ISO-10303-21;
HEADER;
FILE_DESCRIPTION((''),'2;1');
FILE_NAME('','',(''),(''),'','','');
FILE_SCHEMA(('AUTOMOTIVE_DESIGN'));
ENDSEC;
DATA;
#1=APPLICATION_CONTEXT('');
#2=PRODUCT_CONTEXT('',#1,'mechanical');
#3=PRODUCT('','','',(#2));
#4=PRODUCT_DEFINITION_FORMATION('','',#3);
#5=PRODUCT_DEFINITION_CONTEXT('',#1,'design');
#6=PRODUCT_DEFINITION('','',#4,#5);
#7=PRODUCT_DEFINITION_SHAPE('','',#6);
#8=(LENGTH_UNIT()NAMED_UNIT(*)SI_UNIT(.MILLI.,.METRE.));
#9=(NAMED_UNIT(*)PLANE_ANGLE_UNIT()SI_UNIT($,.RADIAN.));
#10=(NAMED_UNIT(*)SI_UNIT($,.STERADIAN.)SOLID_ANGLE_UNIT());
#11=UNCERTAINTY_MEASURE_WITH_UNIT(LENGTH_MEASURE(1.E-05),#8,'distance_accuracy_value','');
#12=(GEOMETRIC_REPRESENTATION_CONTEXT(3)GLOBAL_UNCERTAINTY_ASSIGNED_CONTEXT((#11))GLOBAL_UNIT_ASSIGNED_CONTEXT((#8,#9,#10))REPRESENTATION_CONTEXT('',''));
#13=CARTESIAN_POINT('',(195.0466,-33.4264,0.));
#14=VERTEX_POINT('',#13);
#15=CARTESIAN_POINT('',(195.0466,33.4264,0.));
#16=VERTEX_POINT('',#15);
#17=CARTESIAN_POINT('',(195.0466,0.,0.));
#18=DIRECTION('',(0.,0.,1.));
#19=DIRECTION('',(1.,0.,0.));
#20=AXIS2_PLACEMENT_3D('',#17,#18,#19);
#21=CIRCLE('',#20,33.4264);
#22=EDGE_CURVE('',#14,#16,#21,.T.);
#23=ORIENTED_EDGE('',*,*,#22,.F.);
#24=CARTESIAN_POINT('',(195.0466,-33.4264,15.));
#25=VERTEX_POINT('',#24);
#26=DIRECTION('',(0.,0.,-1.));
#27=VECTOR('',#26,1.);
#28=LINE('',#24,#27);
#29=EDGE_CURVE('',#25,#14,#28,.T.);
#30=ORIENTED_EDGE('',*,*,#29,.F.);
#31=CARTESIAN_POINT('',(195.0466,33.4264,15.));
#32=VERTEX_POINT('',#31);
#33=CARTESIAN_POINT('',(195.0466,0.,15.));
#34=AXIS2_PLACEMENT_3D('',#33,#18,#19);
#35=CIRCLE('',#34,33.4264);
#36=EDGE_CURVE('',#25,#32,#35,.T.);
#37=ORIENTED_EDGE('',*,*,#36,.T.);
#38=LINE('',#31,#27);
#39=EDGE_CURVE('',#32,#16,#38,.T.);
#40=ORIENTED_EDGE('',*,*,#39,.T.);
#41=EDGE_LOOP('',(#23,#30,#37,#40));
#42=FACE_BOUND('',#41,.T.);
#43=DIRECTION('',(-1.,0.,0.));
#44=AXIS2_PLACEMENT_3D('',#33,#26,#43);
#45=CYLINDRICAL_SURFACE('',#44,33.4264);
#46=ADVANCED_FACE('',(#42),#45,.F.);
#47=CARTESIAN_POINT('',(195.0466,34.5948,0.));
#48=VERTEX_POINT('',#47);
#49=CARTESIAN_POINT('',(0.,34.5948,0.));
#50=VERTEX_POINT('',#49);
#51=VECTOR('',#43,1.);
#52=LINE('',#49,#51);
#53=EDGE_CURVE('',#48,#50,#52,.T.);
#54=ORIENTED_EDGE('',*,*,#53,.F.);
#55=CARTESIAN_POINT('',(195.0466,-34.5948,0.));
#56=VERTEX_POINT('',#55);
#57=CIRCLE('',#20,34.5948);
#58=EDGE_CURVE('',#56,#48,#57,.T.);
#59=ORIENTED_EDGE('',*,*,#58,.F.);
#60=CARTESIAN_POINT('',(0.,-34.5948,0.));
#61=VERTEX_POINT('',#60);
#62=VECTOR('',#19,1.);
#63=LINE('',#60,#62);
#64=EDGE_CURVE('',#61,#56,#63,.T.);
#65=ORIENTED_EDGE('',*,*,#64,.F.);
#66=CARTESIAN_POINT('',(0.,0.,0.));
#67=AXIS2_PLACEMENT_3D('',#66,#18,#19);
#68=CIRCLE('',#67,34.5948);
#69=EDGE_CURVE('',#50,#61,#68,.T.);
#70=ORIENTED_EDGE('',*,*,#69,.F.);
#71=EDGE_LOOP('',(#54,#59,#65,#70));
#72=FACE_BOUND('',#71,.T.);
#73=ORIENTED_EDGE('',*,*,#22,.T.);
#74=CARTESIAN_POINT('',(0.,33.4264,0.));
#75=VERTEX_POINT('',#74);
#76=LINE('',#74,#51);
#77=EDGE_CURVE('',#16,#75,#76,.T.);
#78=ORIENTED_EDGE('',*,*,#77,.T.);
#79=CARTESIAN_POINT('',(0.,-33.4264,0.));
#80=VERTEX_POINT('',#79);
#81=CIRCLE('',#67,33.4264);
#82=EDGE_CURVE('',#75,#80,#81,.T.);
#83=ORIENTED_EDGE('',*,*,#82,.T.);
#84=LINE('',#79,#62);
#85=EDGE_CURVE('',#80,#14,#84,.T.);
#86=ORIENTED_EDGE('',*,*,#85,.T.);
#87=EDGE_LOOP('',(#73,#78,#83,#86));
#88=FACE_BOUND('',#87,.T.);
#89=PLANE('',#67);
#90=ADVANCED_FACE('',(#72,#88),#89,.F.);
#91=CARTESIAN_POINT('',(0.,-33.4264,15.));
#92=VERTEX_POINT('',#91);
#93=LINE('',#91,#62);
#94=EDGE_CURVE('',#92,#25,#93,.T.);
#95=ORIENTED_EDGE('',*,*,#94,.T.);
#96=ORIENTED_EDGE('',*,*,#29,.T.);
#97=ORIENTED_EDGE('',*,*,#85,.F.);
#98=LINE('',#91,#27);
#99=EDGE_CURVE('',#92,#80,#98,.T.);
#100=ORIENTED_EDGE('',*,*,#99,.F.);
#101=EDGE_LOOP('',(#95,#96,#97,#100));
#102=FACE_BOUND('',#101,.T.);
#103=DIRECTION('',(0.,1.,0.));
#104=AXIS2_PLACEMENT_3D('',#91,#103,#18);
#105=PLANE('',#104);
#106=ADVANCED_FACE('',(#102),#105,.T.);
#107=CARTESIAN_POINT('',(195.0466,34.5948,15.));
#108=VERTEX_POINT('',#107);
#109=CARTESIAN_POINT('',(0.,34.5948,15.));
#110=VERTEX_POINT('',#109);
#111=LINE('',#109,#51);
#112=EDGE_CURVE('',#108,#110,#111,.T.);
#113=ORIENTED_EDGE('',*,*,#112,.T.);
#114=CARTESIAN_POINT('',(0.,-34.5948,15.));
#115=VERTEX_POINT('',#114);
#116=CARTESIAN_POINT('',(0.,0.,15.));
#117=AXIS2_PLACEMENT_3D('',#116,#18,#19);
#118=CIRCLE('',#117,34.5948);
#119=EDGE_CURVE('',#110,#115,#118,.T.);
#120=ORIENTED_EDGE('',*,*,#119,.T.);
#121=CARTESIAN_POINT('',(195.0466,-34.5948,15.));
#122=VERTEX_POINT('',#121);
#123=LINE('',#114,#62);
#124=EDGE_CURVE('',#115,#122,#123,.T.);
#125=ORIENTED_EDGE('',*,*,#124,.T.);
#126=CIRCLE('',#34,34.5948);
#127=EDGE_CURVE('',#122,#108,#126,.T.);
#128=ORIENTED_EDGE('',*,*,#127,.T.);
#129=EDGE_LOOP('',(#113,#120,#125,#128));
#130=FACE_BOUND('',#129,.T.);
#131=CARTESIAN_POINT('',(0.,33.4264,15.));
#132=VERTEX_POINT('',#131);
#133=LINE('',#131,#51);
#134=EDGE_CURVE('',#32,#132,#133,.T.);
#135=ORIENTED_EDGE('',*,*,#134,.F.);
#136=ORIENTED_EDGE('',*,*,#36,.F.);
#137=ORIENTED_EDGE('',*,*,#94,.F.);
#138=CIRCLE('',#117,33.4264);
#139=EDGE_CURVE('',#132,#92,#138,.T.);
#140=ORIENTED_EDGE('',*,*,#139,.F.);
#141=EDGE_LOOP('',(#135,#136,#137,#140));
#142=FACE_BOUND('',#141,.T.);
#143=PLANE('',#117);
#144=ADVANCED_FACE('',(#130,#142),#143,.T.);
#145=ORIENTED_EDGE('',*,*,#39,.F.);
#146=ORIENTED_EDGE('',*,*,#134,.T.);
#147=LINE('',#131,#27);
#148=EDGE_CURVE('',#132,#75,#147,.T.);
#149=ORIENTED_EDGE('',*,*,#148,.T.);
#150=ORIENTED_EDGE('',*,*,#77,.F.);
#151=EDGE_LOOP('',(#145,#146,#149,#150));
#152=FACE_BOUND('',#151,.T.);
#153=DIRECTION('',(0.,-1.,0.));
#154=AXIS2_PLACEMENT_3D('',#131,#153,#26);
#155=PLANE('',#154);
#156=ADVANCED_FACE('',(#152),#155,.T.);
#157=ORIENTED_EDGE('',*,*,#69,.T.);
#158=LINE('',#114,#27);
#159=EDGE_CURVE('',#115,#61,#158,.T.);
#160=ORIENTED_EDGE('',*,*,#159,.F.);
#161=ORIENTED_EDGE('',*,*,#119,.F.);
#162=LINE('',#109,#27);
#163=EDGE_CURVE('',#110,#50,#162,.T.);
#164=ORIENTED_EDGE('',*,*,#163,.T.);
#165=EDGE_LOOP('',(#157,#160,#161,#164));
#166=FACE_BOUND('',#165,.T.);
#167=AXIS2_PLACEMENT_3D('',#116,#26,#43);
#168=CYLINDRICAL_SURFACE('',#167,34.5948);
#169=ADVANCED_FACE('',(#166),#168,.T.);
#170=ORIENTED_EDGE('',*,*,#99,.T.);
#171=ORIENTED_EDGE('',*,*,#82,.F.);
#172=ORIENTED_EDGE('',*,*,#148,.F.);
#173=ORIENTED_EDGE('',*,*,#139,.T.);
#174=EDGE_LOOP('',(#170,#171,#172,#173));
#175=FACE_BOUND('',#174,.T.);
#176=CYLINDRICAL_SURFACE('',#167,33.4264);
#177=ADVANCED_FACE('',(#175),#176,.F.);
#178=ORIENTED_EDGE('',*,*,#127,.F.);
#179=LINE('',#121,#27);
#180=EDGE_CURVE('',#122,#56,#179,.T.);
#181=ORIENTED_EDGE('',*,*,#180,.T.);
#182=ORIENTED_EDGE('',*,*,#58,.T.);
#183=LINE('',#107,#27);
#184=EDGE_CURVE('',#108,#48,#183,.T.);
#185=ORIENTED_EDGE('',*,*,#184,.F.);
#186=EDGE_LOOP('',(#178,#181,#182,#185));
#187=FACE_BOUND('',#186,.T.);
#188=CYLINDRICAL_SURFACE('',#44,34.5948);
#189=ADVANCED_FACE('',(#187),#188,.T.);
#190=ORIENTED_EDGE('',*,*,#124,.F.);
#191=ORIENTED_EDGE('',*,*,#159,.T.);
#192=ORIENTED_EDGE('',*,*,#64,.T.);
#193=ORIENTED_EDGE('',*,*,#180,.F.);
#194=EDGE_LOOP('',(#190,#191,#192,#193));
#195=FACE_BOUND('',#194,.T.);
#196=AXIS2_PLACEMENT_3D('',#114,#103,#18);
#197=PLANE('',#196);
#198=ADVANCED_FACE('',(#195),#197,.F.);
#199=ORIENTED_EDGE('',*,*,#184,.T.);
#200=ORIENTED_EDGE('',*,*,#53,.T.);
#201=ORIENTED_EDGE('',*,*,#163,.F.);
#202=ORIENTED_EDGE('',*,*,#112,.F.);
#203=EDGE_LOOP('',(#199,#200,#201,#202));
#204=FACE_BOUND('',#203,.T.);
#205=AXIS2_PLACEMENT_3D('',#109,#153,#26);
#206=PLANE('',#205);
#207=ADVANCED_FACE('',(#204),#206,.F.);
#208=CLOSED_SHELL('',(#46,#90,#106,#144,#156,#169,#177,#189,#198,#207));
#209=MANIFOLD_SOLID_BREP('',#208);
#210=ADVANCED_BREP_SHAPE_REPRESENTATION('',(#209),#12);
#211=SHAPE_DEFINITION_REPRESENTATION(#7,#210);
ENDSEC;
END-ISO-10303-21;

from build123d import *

# Parameters (mm, degrees)
BOSS_EXTRUDE1_DEPTH = 15


with BuildPart() as part:
    # Sketch1 → Boss-Extrude1 (new body)
    with BuildSketch(Plane.XY):
        with BuildLine():
            Line((0, 34.5948), (195.0466, 34.5948))
            ThreePointArc((195.0466, 34.5948), (229.6414, 0), (195.0466, -34.5948))
            Line((195.0466, -34.5948), (0, -34.5948))
            ThreePointArc((0, -34.5948), (-34.5948, 0), (0, 34.5948))
        make_face()
        with BuildLine():
            Line((0, 33.4264), (195.0466, 33.4264))
            ThreePointArc((195.0466, 33.4264), (228.473, 0), (195.0466, -33.4264))
            Line((195.0466, -33.4264), (0, -33.4264))
            ThreePointArc((0, -33.4264), (-33.4264, 0), (0, 33.4264))
        make_face(mode=Mode.SUBTRACT)
    extrude(amount=BOSS_EXTRUDE1_DEPTH)


solid = part.part
